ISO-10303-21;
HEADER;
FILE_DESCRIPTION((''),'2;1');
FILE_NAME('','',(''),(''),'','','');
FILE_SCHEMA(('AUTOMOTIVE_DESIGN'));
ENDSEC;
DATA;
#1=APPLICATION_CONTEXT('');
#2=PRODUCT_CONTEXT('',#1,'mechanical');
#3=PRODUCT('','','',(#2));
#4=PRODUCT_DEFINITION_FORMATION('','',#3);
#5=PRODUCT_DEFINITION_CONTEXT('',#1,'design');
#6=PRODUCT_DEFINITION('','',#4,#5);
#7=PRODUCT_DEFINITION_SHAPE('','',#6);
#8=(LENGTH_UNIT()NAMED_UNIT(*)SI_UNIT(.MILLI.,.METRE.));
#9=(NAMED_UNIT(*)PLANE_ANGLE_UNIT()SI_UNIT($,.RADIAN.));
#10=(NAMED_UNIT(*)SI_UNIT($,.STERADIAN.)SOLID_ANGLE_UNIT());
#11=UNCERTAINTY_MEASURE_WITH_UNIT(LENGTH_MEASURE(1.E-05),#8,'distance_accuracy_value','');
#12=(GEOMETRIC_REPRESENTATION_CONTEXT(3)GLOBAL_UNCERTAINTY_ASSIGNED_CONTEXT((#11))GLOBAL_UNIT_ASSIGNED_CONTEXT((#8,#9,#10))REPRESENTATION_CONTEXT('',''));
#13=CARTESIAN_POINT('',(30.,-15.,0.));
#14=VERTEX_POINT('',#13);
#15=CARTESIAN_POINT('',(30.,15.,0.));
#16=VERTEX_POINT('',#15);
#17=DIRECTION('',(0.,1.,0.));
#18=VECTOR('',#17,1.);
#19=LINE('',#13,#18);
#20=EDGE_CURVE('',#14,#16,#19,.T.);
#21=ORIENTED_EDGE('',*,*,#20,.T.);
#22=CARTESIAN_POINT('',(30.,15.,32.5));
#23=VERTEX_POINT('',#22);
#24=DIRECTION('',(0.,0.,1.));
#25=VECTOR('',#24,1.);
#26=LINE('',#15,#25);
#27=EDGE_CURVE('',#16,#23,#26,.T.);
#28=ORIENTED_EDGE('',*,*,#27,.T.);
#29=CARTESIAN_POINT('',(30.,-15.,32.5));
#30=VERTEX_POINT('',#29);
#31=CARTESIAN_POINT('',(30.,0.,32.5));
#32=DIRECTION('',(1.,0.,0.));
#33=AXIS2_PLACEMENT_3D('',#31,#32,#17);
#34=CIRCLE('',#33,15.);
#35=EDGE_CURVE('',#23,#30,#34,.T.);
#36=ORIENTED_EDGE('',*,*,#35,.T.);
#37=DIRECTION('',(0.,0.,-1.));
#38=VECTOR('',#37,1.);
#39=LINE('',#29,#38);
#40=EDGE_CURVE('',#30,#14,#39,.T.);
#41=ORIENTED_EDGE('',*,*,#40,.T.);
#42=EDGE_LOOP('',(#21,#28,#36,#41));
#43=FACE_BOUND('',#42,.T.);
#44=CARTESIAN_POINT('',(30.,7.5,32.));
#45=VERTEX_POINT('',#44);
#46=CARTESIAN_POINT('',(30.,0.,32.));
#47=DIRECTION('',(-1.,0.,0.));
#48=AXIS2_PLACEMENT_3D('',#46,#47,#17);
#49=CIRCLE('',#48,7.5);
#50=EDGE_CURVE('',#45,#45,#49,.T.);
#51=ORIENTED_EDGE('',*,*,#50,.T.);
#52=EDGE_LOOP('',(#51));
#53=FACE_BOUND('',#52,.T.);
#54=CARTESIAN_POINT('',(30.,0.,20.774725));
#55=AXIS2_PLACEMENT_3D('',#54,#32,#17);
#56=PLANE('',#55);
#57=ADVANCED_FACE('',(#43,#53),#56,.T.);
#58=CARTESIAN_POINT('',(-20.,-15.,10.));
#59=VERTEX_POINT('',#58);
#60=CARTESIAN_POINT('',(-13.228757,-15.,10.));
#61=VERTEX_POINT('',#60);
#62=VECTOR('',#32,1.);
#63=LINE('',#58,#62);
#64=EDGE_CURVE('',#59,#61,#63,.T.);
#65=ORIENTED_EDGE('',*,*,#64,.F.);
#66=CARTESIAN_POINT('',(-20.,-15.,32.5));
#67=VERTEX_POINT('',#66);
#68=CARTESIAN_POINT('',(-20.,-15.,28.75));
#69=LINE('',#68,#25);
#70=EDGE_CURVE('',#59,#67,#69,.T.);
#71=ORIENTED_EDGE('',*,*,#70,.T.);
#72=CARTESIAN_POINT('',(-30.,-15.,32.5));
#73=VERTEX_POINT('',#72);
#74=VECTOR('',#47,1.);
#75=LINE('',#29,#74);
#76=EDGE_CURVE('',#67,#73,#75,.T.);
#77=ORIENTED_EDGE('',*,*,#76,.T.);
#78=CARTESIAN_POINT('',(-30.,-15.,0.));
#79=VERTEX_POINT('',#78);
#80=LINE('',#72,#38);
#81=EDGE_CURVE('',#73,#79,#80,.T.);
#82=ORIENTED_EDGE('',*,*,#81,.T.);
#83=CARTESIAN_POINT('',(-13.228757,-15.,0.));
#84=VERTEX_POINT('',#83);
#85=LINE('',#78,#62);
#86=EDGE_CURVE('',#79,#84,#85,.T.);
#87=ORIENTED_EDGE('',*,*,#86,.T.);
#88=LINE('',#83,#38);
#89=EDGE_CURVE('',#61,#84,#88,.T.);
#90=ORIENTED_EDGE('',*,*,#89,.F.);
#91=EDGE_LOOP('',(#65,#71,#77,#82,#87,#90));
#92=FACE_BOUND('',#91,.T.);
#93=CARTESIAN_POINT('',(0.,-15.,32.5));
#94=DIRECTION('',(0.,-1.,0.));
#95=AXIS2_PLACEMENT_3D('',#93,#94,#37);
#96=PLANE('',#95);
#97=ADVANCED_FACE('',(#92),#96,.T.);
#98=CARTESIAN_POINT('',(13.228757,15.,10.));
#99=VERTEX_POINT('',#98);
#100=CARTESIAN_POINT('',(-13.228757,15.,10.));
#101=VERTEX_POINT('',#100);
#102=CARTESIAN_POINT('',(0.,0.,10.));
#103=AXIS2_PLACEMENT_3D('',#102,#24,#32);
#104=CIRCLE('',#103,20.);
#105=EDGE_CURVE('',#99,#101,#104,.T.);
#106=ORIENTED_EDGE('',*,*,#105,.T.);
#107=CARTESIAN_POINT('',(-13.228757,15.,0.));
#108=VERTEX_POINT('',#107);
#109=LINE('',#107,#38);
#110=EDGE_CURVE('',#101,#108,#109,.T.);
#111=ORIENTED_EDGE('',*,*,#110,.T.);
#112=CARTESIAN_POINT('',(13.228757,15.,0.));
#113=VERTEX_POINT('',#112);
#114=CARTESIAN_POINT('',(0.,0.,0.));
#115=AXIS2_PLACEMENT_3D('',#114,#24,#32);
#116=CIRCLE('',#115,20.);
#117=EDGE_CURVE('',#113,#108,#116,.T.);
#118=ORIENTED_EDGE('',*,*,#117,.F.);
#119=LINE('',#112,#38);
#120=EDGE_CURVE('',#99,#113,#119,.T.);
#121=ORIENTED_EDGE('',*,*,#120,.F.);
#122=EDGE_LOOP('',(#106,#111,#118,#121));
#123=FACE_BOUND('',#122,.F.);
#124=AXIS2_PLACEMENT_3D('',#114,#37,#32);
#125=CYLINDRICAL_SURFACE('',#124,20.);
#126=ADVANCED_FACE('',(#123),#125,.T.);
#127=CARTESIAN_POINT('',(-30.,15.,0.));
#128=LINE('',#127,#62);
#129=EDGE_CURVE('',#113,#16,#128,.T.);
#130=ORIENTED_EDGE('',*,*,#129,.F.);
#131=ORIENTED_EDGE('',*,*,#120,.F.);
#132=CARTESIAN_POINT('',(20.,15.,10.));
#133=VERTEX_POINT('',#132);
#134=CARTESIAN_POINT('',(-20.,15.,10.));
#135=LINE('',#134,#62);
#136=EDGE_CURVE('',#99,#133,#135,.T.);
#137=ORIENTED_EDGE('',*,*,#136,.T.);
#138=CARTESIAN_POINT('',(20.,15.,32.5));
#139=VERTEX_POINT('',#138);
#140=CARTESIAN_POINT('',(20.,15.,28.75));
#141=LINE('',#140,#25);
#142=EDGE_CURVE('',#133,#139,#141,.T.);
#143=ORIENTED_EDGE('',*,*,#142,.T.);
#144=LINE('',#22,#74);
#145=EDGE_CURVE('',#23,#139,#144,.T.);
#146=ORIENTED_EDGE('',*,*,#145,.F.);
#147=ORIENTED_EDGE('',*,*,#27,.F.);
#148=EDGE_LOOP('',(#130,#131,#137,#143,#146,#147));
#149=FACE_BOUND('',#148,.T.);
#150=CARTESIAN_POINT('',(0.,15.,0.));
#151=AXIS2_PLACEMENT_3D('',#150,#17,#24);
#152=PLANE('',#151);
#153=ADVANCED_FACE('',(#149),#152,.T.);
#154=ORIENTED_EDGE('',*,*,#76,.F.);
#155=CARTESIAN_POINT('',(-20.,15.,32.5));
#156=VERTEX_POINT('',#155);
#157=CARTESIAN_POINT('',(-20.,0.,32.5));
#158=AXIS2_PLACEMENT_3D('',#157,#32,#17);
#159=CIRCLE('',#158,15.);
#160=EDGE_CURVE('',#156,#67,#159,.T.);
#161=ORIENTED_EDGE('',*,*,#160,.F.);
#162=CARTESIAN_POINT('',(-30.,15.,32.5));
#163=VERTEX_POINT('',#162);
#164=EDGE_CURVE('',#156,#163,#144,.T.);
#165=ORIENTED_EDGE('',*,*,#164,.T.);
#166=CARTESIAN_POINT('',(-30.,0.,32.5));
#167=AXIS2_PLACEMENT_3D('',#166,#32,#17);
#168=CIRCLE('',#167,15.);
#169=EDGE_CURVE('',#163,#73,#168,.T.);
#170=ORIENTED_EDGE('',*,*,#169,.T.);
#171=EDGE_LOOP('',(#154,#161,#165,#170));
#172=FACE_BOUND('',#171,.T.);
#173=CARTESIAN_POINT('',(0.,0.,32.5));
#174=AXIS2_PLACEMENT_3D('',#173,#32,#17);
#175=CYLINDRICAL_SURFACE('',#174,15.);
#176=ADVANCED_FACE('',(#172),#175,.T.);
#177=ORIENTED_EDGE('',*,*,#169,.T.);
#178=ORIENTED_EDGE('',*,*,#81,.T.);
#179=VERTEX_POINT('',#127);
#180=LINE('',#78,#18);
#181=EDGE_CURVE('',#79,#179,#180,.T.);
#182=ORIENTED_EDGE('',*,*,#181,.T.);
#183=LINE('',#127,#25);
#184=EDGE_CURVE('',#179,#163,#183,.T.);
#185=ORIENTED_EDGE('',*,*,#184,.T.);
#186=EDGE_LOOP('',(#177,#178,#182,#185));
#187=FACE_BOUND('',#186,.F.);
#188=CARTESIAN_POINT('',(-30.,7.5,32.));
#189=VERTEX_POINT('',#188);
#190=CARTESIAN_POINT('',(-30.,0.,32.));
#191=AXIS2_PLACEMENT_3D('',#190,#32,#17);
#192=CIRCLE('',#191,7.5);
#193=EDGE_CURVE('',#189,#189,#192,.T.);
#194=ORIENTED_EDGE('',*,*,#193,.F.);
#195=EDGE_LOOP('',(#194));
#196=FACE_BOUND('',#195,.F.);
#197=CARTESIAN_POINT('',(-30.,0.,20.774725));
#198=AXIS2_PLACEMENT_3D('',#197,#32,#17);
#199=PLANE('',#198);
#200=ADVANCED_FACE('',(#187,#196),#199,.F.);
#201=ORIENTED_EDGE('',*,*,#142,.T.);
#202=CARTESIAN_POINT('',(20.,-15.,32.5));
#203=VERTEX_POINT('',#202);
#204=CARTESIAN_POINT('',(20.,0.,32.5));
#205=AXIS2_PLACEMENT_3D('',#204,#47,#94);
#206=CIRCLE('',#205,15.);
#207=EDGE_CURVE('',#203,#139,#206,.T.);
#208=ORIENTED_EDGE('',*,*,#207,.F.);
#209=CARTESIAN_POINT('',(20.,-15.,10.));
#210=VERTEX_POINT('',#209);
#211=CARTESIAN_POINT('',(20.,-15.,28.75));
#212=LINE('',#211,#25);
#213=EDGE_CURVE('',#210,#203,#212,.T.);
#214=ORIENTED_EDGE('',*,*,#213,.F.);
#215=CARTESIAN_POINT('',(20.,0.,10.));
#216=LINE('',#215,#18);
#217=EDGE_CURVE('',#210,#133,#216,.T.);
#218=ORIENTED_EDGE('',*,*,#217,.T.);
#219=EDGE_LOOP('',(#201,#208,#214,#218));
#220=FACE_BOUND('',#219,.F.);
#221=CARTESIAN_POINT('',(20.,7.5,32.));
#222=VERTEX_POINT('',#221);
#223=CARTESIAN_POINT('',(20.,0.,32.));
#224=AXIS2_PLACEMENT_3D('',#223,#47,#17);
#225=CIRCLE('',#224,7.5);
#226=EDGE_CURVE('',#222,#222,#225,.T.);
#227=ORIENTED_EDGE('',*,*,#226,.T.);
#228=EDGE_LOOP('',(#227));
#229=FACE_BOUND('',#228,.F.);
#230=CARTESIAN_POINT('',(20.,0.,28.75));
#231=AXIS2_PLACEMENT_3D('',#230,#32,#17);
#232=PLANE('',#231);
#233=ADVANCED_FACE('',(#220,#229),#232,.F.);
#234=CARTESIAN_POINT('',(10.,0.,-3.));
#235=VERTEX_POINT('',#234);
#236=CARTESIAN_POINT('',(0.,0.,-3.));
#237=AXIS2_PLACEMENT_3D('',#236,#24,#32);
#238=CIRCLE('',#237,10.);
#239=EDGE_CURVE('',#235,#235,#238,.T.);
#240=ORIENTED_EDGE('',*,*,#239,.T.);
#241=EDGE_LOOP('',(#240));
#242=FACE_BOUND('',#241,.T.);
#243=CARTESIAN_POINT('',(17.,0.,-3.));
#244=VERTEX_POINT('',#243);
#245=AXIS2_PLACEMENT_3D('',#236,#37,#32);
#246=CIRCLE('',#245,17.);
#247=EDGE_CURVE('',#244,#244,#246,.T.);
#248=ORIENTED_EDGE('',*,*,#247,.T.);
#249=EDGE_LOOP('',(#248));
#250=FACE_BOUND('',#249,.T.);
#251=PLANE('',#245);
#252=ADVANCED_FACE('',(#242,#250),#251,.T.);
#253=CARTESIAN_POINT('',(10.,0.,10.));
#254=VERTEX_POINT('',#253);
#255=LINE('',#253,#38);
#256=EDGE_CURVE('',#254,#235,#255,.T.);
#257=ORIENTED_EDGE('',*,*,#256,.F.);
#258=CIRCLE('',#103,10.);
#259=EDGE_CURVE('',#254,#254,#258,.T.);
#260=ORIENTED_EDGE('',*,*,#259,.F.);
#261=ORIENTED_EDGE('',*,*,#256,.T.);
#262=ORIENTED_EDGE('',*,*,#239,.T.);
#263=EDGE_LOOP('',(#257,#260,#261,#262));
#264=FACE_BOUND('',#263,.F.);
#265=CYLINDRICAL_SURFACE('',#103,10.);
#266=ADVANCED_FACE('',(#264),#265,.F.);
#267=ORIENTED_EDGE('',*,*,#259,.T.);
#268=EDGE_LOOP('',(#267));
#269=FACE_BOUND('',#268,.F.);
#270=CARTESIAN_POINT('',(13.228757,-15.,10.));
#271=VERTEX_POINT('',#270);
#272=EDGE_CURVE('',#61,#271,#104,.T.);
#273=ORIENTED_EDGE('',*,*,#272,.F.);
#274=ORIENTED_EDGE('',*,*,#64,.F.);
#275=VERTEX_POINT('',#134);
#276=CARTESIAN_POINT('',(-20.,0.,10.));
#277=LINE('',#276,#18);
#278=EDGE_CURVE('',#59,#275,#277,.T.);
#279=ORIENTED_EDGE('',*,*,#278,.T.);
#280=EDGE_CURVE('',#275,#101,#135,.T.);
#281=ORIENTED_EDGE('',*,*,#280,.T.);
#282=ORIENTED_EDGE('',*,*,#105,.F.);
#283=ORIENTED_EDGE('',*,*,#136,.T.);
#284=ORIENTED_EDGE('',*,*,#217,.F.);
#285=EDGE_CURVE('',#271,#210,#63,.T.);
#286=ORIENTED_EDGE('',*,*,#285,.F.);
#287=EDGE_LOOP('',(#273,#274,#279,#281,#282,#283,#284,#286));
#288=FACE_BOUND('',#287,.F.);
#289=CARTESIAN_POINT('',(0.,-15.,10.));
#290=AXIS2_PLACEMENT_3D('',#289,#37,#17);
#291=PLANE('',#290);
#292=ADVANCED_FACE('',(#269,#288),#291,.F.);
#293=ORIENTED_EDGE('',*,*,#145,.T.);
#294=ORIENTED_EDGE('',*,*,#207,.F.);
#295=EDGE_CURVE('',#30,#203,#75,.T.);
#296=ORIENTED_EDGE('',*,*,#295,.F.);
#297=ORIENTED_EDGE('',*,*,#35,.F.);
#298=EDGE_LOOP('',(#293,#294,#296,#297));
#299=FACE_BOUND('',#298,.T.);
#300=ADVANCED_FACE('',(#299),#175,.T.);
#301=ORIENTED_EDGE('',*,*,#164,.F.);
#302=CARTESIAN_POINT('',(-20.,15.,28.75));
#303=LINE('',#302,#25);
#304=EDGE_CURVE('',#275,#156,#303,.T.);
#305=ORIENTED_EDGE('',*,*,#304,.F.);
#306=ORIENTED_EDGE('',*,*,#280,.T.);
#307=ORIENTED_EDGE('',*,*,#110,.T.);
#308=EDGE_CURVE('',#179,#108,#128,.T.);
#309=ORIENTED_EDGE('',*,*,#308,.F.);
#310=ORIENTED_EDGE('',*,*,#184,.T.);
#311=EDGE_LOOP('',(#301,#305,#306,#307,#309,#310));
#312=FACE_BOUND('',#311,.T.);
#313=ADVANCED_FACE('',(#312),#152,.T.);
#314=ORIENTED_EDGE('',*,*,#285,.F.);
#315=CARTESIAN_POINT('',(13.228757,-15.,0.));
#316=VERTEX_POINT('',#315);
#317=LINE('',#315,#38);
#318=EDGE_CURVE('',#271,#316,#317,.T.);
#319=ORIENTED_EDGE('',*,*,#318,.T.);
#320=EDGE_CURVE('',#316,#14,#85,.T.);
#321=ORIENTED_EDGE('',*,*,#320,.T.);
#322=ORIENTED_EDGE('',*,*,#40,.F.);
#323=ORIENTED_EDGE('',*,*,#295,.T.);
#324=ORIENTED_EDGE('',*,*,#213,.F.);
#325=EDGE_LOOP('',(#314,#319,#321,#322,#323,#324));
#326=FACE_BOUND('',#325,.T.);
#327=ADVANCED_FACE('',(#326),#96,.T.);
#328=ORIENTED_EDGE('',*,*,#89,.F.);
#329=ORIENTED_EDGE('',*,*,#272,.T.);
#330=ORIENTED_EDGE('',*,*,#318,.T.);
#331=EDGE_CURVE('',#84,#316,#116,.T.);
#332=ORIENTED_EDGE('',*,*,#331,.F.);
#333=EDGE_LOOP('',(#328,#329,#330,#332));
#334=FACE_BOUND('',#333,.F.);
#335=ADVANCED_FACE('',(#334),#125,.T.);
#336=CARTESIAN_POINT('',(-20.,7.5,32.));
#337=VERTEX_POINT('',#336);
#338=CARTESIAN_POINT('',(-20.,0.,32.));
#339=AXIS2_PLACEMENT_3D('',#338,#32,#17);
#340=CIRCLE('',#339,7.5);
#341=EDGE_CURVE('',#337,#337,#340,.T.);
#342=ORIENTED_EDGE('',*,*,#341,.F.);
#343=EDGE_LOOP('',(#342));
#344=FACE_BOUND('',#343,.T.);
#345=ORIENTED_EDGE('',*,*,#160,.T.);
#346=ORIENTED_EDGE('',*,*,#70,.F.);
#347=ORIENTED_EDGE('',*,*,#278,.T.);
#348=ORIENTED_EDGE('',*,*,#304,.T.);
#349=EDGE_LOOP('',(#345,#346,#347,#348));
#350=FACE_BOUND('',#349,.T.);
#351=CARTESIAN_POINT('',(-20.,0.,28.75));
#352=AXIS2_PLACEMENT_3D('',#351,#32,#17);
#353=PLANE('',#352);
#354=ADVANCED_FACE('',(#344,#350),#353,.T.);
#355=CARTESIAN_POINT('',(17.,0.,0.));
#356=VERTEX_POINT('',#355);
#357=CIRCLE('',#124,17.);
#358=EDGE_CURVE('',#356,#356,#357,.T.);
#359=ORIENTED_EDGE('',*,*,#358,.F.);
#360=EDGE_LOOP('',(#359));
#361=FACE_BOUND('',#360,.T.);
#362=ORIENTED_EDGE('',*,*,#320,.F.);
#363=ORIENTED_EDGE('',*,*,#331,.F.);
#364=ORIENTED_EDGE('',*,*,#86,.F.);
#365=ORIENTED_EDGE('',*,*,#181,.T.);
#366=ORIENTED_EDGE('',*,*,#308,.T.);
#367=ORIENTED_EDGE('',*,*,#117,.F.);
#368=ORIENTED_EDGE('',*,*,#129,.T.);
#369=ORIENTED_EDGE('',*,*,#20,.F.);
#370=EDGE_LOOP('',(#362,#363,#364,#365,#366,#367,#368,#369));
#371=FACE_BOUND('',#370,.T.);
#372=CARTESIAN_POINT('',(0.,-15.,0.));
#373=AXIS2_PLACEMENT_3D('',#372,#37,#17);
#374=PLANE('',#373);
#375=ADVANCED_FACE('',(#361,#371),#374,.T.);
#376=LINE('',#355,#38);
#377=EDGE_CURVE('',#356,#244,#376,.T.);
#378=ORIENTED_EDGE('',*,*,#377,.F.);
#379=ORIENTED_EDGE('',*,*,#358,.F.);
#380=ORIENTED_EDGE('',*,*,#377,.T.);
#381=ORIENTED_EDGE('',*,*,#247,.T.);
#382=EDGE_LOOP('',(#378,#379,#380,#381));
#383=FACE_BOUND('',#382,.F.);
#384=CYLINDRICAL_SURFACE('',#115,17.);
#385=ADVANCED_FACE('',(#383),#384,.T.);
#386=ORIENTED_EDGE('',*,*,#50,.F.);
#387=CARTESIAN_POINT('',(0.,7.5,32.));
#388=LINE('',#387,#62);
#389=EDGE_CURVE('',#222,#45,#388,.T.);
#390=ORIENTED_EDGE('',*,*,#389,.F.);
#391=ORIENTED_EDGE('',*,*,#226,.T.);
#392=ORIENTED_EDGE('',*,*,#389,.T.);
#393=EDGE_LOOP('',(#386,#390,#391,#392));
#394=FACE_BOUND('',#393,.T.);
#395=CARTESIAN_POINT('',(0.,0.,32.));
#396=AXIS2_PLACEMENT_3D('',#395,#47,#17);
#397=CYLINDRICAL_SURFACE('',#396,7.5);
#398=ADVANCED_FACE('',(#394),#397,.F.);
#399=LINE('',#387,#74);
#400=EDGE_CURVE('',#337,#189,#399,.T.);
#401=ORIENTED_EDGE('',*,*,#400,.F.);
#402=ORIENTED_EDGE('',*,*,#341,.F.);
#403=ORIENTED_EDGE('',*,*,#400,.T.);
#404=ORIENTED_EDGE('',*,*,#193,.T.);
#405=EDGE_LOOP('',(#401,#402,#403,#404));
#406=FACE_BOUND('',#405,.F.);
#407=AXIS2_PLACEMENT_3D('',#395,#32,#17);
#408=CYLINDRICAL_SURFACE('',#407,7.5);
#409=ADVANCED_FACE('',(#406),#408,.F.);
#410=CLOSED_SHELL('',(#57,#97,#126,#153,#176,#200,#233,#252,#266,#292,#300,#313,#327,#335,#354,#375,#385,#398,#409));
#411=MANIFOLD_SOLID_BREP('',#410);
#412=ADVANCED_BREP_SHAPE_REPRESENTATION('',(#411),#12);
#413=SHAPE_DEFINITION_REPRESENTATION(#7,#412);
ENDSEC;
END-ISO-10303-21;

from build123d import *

# Parameters (mm, degrees)
F0_R          = 20
F1_DEPTH      = 10
F3_DEPTH      = 30
F4_W          = 30
F4_H          = 37.5
F5_DEPTH      = 20
F6_R          = 7.5
F7_DEPTH      = 30.001
F7_DEPTH_BACK = 30.001
F8_R          = 17
F9_DEPTH      = 3
F10_R         = 10
F11_DEPTH     = 13.001


with BuildPart() as f1:
    # F0 (on Top) → F1 (new body)
    with BuildSketch(Plane.XY):
        Circle(F0_R)
    extrude(amount=F1_DEPTH)

    # F2 (on Right) → F3 (join, symmetric)
    with BuildSketch(Plane.YZ):
        with BuildLine():
            Line((-15, 32.5), (-15, 0))
            Line((-15, 0), (15, 0))
            Line((15, 0), (15, 32.5))
            ThreePointArc((15, 32.5), (0, 47.5), (-15, 32.5))
        make_face()
    extrude(amount=F3_DEPTH, both=True)

    # F4 (on Right) → F5 (cut, symmetric)
    with BuildSketch(Plane.YZ):
        with Locations((0, 28.75)):
            Rectangle(F4_W, F4_H)
    extrude(amount=F5_DEPTH, both=True, mode=Mode.SUBTRACT)

    # F6 (on Right) → F7 (cut, two sides)
    with BuildSketch(Plane.YZ) as f7_sk:
        with Locations((0, 32)):
            Circle(F6_R)
    extrude(amount=-F7_DEPTH, mode=Mode.SUBTRACT)
    extrude(f7_sk.sketch, amount=F7_DEPTH_BACK, mode=Mode.SUBTRACT)

    # F8 (on face) → F9 (join)
    with BuildSketch(Plane(origin=(0, 0, 0), x_dir=(1, 0, 0), z_dir=(0, 0, -1))):
        Circle(F8_R)
    extrude(amount=F9_DEPTH)

    # F10 (on face) → F11 (cut, through all)
    with BuildSketch(Plane.XY.offset(10)):
        Circle(F10_R)
    extrude(amount=-F11_DEPTH, mode=Mode.SUBTRACT)


solid = f1.part
